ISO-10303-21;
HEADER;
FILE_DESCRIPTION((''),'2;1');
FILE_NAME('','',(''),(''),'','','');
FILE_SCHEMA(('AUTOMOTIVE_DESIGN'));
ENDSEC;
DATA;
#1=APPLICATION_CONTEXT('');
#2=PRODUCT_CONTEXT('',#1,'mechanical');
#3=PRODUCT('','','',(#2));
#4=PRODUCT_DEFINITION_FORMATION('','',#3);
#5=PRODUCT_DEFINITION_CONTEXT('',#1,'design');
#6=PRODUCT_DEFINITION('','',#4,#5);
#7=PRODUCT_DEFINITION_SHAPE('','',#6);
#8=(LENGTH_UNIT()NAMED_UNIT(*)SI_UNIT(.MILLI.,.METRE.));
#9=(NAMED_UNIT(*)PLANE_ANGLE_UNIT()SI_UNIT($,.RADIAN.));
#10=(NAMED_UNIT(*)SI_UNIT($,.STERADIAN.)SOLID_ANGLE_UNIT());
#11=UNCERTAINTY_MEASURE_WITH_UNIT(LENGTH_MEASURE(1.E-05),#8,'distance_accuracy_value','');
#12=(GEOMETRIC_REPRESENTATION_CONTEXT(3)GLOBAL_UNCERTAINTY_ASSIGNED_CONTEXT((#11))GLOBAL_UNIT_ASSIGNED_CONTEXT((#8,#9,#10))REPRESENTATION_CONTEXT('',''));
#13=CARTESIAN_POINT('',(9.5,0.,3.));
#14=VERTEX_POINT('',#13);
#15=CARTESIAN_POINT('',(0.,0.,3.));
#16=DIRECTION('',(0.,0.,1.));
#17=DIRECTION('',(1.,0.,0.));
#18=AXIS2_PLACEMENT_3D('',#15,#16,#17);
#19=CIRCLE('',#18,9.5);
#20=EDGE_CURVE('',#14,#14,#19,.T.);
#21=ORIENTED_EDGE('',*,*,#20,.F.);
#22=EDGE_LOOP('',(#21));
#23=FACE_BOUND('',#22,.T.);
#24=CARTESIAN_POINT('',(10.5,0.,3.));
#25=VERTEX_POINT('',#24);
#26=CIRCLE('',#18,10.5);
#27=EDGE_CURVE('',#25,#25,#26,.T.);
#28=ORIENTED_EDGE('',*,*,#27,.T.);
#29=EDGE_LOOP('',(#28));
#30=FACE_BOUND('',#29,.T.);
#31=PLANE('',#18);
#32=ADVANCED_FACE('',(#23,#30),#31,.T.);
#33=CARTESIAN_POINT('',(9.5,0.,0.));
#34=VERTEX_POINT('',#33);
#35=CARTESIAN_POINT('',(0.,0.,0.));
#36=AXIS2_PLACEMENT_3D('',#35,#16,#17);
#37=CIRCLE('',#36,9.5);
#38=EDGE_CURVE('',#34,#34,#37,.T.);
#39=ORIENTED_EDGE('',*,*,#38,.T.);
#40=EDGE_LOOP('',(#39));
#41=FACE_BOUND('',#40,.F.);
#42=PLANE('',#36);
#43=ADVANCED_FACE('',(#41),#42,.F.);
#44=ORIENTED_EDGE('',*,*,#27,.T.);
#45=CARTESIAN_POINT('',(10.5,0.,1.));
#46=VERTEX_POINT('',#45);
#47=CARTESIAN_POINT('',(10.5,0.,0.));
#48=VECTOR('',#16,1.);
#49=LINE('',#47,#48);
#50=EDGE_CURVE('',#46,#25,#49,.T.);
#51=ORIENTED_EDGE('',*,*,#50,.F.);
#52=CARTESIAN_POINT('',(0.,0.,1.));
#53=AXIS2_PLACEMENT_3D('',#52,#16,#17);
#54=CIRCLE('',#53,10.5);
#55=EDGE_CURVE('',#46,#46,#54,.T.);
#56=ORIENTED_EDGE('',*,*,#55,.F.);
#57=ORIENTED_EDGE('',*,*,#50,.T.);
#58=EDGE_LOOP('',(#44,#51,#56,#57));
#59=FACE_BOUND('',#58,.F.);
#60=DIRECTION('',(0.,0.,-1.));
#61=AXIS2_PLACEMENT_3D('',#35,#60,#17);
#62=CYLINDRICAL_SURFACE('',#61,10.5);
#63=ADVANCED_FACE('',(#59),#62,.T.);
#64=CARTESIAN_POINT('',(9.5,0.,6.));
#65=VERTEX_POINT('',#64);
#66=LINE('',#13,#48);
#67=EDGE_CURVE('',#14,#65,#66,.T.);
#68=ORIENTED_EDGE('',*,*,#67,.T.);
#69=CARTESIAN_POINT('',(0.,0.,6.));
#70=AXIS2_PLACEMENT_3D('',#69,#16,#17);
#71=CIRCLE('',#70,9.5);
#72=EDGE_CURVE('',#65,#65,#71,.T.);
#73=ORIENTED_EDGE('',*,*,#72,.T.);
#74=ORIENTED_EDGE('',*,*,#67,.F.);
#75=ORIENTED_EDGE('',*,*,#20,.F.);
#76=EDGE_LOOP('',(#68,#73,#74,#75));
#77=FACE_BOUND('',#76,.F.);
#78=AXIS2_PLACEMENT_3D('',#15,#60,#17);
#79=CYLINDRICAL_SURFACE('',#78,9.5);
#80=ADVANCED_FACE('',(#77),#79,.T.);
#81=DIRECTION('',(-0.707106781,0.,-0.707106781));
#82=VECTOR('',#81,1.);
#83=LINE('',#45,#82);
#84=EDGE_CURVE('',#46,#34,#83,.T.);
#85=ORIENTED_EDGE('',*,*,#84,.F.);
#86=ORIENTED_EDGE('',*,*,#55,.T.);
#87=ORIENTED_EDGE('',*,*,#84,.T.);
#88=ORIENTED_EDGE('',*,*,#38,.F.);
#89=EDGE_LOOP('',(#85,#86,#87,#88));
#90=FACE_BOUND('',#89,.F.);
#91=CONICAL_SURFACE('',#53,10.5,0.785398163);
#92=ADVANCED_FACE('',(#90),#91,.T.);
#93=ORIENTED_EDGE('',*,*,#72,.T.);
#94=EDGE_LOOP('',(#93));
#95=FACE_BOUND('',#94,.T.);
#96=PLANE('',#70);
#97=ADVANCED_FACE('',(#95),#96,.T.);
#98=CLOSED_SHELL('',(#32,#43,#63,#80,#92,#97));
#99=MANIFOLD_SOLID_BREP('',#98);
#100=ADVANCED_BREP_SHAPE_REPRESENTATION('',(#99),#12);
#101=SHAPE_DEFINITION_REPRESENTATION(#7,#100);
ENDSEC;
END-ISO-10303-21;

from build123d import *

# Parameters (mm, degrees)
F0_R     = 10.5
F1_DEPTH = 3
F2_SIZE  = 1
F3_R     = 9.5
F4_DEPTH = 3


with BuildPart() as f1:
    # F0 (on Top) → F1 (new body)
    with BuildSketch(Plane.XY):
        Circle(F0_R)
    extrude(amount=F1_DEPTH)

    # F2
    f2_edges = [f1.edges().sort_by_distance(p)[0] for p in [
        (-10.5, 0, 0),
    ]]
    chamfer(f2_edges, length=F2_SIZE)

    # F3 (on face) → F4 (join)
    with BuildSketch(Plane.XY.offset(3)):
        Circle(F3_R)
    extrude(amount=F4_DEPTH)


solid = f1.part
